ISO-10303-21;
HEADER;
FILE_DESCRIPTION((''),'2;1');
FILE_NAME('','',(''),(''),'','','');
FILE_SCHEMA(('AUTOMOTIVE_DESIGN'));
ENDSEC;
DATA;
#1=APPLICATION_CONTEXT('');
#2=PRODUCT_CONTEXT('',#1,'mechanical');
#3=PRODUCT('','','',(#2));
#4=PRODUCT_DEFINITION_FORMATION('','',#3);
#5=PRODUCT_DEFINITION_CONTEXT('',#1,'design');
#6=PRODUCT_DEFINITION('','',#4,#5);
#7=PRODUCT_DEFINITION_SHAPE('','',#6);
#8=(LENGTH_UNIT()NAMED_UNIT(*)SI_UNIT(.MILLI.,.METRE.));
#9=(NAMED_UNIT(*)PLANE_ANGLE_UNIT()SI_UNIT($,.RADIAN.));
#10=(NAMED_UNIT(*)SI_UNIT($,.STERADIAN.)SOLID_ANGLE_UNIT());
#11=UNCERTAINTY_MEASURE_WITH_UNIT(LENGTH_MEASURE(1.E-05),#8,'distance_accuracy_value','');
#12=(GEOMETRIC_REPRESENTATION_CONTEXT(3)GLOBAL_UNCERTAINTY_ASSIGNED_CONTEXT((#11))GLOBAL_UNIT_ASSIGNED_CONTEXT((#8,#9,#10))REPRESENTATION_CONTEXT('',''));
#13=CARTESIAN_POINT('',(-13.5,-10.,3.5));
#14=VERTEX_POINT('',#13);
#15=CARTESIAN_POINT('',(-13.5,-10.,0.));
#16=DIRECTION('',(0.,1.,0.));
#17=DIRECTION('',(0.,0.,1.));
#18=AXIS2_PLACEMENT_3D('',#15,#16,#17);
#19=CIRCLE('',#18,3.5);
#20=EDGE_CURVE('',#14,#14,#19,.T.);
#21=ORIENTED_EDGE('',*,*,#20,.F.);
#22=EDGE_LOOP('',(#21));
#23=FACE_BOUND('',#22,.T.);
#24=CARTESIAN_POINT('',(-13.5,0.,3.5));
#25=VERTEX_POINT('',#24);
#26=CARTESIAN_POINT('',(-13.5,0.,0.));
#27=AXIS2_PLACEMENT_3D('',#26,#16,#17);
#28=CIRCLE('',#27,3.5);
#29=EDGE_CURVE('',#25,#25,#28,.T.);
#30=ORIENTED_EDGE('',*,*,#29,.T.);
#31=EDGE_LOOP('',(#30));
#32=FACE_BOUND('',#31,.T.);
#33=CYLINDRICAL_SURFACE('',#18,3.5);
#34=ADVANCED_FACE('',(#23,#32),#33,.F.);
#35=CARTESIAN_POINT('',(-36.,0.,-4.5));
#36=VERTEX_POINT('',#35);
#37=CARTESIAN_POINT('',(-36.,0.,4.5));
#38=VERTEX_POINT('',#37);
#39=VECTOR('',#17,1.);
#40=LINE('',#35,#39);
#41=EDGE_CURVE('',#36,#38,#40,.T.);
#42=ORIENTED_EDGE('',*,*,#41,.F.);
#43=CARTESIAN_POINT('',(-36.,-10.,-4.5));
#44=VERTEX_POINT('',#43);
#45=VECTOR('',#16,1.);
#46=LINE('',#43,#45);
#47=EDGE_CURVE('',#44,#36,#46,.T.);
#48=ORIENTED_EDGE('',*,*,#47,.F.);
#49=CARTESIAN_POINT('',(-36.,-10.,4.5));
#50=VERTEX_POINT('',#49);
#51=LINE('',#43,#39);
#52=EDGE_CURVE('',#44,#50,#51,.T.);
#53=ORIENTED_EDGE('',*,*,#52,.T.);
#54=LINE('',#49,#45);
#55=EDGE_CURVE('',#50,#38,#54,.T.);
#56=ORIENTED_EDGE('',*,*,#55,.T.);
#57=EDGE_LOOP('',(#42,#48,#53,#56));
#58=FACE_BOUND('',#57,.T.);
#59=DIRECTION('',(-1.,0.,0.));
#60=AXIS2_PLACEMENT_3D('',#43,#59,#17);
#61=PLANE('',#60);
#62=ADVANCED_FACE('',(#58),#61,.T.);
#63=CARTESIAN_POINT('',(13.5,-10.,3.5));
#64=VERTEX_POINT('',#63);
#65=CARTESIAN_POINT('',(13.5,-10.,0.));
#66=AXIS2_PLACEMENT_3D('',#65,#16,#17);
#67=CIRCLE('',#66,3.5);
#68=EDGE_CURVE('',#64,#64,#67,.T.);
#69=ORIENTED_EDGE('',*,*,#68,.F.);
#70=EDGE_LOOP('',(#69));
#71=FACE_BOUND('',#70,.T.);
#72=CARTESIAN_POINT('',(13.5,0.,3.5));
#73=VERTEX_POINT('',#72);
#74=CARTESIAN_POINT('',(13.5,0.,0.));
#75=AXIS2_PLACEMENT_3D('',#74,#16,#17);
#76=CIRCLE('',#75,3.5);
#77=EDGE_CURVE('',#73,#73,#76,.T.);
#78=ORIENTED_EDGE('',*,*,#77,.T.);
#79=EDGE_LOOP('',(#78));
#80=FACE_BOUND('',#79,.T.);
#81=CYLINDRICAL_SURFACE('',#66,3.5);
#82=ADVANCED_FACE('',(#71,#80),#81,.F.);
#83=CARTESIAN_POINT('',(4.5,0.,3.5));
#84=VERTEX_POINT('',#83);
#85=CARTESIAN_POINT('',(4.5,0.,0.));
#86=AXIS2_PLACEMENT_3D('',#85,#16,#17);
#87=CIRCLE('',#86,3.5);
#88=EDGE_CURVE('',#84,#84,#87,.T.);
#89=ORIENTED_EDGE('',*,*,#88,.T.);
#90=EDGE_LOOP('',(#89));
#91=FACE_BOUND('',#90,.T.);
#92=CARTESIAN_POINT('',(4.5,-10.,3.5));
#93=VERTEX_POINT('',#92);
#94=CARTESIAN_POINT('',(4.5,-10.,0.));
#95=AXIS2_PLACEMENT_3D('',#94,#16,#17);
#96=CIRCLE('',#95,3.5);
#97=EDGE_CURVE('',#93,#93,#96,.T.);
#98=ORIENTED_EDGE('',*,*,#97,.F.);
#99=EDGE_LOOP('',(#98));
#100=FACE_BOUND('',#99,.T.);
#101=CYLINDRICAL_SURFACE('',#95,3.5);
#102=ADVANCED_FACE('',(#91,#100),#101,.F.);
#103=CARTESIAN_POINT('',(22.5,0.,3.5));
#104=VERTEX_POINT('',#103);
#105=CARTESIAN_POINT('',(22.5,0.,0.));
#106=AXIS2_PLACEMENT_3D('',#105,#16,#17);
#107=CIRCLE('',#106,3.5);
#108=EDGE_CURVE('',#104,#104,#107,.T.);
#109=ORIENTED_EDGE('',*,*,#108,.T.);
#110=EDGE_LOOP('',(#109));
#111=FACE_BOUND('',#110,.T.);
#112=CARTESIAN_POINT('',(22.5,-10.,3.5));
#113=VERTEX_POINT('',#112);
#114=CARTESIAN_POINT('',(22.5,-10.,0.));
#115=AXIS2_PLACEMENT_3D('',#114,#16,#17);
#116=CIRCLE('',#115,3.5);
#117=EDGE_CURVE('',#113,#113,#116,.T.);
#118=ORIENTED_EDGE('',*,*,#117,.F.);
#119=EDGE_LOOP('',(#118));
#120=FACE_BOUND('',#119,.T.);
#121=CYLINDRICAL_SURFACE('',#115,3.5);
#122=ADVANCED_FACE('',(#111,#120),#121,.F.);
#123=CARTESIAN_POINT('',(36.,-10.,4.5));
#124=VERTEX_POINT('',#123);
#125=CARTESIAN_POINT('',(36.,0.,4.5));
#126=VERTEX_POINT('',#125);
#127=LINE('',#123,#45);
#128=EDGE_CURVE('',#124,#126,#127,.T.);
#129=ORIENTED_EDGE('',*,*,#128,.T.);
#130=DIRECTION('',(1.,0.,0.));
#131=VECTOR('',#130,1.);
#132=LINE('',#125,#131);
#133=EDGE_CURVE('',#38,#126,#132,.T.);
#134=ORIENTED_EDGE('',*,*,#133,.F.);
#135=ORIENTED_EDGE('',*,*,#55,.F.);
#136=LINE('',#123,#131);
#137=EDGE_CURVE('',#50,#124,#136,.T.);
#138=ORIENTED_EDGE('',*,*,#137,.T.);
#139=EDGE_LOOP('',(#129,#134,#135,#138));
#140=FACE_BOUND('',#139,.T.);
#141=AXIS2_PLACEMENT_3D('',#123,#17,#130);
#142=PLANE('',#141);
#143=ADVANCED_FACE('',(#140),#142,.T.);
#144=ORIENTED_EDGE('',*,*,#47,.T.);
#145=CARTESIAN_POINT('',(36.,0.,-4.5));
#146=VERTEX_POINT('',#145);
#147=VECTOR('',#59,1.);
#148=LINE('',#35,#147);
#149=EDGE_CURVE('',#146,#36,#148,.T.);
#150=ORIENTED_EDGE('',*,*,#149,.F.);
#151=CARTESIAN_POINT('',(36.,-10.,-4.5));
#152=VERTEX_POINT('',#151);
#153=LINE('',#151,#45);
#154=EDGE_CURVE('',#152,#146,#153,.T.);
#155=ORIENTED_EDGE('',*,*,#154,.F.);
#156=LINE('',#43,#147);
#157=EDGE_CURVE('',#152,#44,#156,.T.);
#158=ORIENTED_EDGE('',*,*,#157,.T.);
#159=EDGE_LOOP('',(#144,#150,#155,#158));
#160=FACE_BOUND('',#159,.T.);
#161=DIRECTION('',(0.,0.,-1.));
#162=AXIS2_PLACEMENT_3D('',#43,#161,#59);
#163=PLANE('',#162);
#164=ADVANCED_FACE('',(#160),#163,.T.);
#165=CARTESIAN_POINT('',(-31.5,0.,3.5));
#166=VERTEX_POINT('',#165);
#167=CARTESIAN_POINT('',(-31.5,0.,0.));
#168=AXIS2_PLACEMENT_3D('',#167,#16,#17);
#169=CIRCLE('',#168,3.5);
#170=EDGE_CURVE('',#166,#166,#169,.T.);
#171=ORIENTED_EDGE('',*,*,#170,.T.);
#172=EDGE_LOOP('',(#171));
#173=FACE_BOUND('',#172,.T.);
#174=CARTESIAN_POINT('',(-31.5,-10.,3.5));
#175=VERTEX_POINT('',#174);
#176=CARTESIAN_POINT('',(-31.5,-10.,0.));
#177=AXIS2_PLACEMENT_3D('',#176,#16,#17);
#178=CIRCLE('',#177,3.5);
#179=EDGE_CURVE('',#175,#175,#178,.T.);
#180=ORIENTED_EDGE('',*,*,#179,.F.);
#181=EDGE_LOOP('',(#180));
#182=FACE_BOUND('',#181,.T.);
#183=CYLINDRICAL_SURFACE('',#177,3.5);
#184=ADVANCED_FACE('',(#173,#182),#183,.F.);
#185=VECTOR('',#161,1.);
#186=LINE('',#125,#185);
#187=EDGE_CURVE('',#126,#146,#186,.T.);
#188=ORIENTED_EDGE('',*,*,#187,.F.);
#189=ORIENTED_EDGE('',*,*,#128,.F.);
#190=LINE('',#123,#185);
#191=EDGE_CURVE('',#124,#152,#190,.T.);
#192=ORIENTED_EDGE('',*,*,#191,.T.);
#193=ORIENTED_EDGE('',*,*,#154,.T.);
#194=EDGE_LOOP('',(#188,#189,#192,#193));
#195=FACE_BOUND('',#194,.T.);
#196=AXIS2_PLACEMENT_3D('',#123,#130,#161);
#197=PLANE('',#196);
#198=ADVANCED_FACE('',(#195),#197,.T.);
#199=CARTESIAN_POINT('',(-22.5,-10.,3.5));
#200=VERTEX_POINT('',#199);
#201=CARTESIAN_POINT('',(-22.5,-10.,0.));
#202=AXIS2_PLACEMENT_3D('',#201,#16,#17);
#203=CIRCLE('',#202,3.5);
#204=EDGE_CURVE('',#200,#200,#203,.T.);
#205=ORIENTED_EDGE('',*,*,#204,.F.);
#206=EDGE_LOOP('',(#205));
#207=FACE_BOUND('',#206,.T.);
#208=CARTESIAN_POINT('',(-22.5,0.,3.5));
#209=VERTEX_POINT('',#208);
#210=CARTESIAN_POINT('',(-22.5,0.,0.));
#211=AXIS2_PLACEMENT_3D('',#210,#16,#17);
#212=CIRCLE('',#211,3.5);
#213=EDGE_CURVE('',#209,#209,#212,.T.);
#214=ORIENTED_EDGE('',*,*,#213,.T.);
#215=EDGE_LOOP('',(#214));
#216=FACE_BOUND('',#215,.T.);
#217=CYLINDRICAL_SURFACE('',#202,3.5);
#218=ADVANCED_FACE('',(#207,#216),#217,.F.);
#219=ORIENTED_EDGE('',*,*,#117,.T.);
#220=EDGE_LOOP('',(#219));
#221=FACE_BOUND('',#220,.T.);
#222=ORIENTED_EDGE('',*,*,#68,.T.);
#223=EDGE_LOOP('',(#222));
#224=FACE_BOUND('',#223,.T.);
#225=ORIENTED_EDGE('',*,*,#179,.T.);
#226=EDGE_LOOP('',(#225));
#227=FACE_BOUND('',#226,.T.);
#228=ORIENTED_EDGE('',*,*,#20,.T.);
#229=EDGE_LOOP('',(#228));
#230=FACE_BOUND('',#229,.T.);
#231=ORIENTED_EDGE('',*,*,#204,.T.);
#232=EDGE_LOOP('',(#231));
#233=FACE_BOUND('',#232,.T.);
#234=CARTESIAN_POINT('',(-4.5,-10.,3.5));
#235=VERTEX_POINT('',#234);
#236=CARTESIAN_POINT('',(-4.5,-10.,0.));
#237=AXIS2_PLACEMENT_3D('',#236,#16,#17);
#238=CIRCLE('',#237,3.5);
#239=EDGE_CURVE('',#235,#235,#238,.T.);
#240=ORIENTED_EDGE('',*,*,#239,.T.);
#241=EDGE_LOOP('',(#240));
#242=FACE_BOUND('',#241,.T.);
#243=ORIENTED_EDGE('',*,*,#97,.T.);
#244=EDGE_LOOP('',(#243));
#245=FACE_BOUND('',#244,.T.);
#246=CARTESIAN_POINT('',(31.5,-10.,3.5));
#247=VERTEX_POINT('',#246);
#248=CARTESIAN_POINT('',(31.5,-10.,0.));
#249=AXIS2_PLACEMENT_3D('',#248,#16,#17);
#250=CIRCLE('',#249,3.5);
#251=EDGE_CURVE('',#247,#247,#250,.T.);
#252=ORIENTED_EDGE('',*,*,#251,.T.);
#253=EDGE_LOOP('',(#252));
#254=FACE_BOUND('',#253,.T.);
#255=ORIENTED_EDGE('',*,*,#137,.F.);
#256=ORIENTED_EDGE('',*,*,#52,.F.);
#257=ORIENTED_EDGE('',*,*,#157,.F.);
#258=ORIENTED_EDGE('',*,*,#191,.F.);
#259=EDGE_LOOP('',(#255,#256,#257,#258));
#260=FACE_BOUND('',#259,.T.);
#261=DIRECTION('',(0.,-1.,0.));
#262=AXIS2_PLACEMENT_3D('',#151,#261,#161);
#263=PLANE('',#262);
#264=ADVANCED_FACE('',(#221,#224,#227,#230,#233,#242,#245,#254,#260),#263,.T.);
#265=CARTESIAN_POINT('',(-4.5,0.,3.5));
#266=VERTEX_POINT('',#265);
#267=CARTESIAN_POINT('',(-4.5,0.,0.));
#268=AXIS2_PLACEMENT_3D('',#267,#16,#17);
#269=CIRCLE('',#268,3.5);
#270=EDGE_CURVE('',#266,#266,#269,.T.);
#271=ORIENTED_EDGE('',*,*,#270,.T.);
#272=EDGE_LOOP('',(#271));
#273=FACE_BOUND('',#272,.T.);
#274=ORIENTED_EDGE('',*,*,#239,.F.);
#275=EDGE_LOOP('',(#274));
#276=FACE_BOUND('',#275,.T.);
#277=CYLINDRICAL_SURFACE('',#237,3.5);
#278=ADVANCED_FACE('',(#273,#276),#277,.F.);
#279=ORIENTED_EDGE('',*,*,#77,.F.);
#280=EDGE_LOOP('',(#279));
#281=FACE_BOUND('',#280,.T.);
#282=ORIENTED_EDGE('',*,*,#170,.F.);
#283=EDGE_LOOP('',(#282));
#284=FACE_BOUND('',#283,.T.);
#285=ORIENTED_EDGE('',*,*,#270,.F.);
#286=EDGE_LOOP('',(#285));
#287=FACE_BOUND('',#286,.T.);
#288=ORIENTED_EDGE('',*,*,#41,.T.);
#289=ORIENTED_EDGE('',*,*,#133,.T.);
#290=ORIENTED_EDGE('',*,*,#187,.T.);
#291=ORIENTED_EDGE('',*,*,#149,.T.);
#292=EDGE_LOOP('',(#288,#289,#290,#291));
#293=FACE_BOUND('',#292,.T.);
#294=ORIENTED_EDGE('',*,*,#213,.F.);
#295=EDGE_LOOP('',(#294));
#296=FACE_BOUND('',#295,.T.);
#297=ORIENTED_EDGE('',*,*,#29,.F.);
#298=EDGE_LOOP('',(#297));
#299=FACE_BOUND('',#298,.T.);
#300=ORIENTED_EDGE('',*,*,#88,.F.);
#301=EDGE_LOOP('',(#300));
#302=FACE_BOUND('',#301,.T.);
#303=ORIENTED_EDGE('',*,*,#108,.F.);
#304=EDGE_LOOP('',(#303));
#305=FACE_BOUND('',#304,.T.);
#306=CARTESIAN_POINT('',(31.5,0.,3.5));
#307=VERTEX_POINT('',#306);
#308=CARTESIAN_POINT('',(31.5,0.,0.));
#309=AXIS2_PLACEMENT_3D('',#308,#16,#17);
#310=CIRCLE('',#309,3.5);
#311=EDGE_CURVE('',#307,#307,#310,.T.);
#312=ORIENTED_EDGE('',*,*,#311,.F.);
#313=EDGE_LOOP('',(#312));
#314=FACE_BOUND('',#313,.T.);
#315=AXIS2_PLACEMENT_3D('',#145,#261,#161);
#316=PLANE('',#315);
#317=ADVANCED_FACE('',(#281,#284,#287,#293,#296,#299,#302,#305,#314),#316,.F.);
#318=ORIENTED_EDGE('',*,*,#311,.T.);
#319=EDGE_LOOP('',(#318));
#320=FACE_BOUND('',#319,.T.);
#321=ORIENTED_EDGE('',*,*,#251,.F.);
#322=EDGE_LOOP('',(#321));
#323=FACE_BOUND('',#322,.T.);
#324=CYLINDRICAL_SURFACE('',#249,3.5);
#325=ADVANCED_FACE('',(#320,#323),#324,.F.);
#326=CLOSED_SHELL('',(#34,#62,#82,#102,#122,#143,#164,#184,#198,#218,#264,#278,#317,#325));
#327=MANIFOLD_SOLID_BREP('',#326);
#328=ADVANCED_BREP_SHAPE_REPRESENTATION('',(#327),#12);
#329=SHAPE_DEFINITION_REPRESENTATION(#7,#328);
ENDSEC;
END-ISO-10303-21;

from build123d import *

# Parameters (mm, degrees)
SKETCH1_W           = 72
SKETCH1_H           = 9
SKETCH1_R           = 3.5
BOSS_EXTRUDE1_DEPTH = 10


with BuildPart() as part:
    # Sketch1 → Boss-Extrude1 (new body)
    with BuildSketch(Plane(origin=(0, 0, 0), x_dir=(1, 0, 0), z_dir=(0, 1, 0))):
        Rectangle(SKETCH1_W, SKETCH1_H)
        with Locations(Location((-4.5, 0, 0), (0, 0, 270))):
            Circle(SKETCH1_R, mode=Mode.SUBTRACT)
        with Locations(Location((4.5, 0, 0), (0, 0, 270))):
            Circle(SKETCH1_R, mode=Mode.SUBTRACT)
        with Locations(Location((13.5, 0, 0), (0, 0, 270))):
            Circle(SKETCH1_R, mode=Mode.SUBTRACT)
        with Locations(Location((22.5, 0, 0), (0, 0, 270))):
            Circle(SKETCH1_R, mode=Mode.SUBTRACT)
        with Locations(Location((31.5, 0, 0), (0, 0, 270))):
            Circle(SKETCH1_R, mode=Mode.SUBTRACT)
        with Locations(Location((-13.5, 0, 0), (0, 0, 270))):
            Circle(SKETCH1_R, mode=Mode.SUBTRACT)
        with Locations(Location((-22.5, 0, 0), (0, 0, 270))):
            Circle(SKETCH1_R, mode=Mode.SUBTRACT)
        with Locations(Location((-31.5, 0, 0), (0, 0, 270))):
            Circle(SKETCH1_R, mode=Mode.SUBTRACT)
    extrude(amount=-BOSS_EXTRUDE1_DEPTH)


solid = part.part
